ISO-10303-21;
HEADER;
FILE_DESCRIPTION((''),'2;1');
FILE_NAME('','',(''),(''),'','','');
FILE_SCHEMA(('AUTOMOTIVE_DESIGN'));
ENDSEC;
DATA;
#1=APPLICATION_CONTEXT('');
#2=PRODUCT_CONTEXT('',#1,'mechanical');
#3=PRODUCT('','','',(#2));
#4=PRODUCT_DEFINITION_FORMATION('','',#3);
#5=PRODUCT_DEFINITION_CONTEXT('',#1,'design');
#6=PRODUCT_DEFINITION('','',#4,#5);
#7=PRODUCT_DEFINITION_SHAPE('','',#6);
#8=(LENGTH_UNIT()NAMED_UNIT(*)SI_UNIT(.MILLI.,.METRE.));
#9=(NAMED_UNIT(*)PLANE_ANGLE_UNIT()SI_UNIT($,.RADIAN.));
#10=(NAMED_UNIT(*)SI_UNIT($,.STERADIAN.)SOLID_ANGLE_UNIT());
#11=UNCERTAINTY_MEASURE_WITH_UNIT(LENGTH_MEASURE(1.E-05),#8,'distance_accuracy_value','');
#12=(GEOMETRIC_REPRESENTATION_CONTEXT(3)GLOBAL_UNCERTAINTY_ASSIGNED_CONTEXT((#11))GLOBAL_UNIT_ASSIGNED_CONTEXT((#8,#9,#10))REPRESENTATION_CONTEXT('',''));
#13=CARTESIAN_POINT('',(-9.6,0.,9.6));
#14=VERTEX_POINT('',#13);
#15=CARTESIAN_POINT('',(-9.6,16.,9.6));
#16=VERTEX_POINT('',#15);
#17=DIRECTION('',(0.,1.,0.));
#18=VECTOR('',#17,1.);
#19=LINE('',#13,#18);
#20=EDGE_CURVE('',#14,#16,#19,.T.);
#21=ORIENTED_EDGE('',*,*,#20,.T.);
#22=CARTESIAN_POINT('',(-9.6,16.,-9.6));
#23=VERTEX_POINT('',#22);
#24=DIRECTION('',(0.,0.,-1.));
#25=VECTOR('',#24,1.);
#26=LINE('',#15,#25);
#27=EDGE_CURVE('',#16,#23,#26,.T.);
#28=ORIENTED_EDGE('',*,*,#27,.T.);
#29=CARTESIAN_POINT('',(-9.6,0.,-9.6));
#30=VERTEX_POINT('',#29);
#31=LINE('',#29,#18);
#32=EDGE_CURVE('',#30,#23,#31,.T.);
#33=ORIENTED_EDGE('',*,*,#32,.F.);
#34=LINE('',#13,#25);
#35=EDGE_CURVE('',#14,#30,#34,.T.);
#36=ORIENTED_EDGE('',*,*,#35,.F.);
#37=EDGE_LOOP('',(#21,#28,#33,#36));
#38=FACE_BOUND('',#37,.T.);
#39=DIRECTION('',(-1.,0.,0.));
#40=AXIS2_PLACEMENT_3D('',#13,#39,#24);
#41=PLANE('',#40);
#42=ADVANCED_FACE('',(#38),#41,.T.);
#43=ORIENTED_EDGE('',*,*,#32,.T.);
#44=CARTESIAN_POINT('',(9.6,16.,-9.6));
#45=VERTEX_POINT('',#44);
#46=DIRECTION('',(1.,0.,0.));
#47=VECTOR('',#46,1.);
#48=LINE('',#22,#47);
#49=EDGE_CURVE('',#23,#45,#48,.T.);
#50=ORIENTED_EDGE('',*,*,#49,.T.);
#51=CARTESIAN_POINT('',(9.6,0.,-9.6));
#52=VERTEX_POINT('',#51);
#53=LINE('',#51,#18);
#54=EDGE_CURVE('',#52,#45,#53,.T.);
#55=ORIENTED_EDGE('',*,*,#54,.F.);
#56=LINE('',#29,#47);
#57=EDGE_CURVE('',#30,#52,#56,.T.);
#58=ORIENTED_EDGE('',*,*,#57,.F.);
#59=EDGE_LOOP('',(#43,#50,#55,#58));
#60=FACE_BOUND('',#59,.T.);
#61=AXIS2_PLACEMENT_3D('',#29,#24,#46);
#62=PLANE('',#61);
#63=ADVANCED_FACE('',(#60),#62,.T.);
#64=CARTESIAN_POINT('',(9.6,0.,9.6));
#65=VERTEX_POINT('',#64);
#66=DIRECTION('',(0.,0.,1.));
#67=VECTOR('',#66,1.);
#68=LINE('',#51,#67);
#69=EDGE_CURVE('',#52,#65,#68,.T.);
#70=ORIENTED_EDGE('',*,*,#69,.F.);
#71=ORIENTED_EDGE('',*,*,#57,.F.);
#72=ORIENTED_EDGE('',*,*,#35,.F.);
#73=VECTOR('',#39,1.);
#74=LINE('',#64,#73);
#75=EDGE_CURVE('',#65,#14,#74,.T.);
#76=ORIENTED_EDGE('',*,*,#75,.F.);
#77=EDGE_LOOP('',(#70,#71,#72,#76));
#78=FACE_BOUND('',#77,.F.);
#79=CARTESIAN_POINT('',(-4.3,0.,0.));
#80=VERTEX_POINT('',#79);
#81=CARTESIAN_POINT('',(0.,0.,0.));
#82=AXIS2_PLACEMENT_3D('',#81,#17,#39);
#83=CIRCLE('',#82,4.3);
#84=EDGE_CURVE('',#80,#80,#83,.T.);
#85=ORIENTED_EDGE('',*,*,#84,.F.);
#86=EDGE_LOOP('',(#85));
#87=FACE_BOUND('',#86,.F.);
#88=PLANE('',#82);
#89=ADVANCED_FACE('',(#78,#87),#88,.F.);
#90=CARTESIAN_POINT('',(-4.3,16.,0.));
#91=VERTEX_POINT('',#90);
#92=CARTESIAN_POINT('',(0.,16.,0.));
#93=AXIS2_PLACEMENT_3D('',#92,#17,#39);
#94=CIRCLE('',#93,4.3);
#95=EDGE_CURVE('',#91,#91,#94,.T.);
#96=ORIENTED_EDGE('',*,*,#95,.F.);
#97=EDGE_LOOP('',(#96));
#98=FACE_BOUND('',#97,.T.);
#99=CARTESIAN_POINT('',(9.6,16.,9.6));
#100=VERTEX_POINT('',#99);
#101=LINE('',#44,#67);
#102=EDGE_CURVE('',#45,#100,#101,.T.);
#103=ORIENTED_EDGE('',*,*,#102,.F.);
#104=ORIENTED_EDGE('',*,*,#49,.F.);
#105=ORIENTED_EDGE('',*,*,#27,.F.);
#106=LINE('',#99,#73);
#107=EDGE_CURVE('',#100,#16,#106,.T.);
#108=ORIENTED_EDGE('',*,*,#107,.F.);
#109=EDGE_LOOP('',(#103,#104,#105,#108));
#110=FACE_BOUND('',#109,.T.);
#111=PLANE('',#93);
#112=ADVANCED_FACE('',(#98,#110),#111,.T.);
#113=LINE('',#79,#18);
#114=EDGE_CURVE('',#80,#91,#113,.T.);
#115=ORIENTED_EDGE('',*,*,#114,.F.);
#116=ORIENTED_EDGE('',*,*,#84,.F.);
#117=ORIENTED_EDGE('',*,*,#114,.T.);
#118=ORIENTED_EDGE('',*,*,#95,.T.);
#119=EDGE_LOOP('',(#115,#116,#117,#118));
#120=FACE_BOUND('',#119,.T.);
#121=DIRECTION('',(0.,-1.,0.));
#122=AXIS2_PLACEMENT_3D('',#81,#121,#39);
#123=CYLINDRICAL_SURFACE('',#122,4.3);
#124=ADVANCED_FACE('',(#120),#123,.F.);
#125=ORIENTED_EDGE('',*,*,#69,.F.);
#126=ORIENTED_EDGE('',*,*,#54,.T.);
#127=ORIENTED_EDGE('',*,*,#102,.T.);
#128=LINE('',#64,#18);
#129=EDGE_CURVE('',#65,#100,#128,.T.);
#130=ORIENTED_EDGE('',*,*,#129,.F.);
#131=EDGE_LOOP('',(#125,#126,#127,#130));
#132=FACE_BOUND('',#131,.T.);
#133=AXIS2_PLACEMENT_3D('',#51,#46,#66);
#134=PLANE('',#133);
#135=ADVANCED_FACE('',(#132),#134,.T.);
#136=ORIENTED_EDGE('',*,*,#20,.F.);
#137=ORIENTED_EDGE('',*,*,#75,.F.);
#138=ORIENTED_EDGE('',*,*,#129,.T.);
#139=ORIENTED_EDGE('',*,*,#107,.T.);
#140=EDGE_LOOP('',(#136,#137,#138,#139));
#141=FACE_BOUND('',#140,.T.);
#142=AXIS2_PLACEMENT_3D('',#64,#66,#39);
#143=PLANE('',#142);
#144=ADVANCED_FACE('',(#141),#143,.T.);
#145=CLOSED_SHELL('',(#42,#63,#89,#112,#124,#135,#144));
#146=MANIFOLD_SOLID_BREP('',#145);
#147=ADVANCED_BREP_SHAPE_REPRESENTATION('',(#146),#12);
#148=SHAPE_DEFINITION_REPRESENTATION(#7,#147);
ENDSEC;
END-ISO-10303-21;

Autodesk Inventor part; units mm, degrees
ref_plane "YZ Plane" through (0, 0, 0) normal (1, 0, 0) x (0, 1, 0)
ref_plane "XZ Plane" through (0, 0, 0) normal (0, 1, 0) x (-1, 0, 0)
ref_plane "XY Plane" through (0, 0, 0) normal (0, 0, 1) x (1, 0, 0)
sketch "Sketch1" plane through (0, 0, 0) normal (0, 1, 0) x (-1, 0, 0)
  line L0 (-9.6, 9.6) -> (9.6, 9.6)
  line L1 (9.6, 9.6) -> (9.6, -9.6)
  line L2 (9.6, -9.6) -> (-9.6, -9.6)
  line L3 (-9.6, -9.6) -> (-9.6, 9.6)
  line L4 (-9.6, 9.6) -> (9.6, -9.6) construction
  line L5 (9.6, 9.6) -> (-9.6, -9.6) construction
  circle A0 centre (0, 0) radius 4.3
  dimension "d0" = 19.2
  dimension "d1" = 19.2
  dimension "d2" = 8.6
extrude "Extrusion1" add sketch "Sketch1" along normal blind 16
properties part number "sliding_lifter_3DPrint"
